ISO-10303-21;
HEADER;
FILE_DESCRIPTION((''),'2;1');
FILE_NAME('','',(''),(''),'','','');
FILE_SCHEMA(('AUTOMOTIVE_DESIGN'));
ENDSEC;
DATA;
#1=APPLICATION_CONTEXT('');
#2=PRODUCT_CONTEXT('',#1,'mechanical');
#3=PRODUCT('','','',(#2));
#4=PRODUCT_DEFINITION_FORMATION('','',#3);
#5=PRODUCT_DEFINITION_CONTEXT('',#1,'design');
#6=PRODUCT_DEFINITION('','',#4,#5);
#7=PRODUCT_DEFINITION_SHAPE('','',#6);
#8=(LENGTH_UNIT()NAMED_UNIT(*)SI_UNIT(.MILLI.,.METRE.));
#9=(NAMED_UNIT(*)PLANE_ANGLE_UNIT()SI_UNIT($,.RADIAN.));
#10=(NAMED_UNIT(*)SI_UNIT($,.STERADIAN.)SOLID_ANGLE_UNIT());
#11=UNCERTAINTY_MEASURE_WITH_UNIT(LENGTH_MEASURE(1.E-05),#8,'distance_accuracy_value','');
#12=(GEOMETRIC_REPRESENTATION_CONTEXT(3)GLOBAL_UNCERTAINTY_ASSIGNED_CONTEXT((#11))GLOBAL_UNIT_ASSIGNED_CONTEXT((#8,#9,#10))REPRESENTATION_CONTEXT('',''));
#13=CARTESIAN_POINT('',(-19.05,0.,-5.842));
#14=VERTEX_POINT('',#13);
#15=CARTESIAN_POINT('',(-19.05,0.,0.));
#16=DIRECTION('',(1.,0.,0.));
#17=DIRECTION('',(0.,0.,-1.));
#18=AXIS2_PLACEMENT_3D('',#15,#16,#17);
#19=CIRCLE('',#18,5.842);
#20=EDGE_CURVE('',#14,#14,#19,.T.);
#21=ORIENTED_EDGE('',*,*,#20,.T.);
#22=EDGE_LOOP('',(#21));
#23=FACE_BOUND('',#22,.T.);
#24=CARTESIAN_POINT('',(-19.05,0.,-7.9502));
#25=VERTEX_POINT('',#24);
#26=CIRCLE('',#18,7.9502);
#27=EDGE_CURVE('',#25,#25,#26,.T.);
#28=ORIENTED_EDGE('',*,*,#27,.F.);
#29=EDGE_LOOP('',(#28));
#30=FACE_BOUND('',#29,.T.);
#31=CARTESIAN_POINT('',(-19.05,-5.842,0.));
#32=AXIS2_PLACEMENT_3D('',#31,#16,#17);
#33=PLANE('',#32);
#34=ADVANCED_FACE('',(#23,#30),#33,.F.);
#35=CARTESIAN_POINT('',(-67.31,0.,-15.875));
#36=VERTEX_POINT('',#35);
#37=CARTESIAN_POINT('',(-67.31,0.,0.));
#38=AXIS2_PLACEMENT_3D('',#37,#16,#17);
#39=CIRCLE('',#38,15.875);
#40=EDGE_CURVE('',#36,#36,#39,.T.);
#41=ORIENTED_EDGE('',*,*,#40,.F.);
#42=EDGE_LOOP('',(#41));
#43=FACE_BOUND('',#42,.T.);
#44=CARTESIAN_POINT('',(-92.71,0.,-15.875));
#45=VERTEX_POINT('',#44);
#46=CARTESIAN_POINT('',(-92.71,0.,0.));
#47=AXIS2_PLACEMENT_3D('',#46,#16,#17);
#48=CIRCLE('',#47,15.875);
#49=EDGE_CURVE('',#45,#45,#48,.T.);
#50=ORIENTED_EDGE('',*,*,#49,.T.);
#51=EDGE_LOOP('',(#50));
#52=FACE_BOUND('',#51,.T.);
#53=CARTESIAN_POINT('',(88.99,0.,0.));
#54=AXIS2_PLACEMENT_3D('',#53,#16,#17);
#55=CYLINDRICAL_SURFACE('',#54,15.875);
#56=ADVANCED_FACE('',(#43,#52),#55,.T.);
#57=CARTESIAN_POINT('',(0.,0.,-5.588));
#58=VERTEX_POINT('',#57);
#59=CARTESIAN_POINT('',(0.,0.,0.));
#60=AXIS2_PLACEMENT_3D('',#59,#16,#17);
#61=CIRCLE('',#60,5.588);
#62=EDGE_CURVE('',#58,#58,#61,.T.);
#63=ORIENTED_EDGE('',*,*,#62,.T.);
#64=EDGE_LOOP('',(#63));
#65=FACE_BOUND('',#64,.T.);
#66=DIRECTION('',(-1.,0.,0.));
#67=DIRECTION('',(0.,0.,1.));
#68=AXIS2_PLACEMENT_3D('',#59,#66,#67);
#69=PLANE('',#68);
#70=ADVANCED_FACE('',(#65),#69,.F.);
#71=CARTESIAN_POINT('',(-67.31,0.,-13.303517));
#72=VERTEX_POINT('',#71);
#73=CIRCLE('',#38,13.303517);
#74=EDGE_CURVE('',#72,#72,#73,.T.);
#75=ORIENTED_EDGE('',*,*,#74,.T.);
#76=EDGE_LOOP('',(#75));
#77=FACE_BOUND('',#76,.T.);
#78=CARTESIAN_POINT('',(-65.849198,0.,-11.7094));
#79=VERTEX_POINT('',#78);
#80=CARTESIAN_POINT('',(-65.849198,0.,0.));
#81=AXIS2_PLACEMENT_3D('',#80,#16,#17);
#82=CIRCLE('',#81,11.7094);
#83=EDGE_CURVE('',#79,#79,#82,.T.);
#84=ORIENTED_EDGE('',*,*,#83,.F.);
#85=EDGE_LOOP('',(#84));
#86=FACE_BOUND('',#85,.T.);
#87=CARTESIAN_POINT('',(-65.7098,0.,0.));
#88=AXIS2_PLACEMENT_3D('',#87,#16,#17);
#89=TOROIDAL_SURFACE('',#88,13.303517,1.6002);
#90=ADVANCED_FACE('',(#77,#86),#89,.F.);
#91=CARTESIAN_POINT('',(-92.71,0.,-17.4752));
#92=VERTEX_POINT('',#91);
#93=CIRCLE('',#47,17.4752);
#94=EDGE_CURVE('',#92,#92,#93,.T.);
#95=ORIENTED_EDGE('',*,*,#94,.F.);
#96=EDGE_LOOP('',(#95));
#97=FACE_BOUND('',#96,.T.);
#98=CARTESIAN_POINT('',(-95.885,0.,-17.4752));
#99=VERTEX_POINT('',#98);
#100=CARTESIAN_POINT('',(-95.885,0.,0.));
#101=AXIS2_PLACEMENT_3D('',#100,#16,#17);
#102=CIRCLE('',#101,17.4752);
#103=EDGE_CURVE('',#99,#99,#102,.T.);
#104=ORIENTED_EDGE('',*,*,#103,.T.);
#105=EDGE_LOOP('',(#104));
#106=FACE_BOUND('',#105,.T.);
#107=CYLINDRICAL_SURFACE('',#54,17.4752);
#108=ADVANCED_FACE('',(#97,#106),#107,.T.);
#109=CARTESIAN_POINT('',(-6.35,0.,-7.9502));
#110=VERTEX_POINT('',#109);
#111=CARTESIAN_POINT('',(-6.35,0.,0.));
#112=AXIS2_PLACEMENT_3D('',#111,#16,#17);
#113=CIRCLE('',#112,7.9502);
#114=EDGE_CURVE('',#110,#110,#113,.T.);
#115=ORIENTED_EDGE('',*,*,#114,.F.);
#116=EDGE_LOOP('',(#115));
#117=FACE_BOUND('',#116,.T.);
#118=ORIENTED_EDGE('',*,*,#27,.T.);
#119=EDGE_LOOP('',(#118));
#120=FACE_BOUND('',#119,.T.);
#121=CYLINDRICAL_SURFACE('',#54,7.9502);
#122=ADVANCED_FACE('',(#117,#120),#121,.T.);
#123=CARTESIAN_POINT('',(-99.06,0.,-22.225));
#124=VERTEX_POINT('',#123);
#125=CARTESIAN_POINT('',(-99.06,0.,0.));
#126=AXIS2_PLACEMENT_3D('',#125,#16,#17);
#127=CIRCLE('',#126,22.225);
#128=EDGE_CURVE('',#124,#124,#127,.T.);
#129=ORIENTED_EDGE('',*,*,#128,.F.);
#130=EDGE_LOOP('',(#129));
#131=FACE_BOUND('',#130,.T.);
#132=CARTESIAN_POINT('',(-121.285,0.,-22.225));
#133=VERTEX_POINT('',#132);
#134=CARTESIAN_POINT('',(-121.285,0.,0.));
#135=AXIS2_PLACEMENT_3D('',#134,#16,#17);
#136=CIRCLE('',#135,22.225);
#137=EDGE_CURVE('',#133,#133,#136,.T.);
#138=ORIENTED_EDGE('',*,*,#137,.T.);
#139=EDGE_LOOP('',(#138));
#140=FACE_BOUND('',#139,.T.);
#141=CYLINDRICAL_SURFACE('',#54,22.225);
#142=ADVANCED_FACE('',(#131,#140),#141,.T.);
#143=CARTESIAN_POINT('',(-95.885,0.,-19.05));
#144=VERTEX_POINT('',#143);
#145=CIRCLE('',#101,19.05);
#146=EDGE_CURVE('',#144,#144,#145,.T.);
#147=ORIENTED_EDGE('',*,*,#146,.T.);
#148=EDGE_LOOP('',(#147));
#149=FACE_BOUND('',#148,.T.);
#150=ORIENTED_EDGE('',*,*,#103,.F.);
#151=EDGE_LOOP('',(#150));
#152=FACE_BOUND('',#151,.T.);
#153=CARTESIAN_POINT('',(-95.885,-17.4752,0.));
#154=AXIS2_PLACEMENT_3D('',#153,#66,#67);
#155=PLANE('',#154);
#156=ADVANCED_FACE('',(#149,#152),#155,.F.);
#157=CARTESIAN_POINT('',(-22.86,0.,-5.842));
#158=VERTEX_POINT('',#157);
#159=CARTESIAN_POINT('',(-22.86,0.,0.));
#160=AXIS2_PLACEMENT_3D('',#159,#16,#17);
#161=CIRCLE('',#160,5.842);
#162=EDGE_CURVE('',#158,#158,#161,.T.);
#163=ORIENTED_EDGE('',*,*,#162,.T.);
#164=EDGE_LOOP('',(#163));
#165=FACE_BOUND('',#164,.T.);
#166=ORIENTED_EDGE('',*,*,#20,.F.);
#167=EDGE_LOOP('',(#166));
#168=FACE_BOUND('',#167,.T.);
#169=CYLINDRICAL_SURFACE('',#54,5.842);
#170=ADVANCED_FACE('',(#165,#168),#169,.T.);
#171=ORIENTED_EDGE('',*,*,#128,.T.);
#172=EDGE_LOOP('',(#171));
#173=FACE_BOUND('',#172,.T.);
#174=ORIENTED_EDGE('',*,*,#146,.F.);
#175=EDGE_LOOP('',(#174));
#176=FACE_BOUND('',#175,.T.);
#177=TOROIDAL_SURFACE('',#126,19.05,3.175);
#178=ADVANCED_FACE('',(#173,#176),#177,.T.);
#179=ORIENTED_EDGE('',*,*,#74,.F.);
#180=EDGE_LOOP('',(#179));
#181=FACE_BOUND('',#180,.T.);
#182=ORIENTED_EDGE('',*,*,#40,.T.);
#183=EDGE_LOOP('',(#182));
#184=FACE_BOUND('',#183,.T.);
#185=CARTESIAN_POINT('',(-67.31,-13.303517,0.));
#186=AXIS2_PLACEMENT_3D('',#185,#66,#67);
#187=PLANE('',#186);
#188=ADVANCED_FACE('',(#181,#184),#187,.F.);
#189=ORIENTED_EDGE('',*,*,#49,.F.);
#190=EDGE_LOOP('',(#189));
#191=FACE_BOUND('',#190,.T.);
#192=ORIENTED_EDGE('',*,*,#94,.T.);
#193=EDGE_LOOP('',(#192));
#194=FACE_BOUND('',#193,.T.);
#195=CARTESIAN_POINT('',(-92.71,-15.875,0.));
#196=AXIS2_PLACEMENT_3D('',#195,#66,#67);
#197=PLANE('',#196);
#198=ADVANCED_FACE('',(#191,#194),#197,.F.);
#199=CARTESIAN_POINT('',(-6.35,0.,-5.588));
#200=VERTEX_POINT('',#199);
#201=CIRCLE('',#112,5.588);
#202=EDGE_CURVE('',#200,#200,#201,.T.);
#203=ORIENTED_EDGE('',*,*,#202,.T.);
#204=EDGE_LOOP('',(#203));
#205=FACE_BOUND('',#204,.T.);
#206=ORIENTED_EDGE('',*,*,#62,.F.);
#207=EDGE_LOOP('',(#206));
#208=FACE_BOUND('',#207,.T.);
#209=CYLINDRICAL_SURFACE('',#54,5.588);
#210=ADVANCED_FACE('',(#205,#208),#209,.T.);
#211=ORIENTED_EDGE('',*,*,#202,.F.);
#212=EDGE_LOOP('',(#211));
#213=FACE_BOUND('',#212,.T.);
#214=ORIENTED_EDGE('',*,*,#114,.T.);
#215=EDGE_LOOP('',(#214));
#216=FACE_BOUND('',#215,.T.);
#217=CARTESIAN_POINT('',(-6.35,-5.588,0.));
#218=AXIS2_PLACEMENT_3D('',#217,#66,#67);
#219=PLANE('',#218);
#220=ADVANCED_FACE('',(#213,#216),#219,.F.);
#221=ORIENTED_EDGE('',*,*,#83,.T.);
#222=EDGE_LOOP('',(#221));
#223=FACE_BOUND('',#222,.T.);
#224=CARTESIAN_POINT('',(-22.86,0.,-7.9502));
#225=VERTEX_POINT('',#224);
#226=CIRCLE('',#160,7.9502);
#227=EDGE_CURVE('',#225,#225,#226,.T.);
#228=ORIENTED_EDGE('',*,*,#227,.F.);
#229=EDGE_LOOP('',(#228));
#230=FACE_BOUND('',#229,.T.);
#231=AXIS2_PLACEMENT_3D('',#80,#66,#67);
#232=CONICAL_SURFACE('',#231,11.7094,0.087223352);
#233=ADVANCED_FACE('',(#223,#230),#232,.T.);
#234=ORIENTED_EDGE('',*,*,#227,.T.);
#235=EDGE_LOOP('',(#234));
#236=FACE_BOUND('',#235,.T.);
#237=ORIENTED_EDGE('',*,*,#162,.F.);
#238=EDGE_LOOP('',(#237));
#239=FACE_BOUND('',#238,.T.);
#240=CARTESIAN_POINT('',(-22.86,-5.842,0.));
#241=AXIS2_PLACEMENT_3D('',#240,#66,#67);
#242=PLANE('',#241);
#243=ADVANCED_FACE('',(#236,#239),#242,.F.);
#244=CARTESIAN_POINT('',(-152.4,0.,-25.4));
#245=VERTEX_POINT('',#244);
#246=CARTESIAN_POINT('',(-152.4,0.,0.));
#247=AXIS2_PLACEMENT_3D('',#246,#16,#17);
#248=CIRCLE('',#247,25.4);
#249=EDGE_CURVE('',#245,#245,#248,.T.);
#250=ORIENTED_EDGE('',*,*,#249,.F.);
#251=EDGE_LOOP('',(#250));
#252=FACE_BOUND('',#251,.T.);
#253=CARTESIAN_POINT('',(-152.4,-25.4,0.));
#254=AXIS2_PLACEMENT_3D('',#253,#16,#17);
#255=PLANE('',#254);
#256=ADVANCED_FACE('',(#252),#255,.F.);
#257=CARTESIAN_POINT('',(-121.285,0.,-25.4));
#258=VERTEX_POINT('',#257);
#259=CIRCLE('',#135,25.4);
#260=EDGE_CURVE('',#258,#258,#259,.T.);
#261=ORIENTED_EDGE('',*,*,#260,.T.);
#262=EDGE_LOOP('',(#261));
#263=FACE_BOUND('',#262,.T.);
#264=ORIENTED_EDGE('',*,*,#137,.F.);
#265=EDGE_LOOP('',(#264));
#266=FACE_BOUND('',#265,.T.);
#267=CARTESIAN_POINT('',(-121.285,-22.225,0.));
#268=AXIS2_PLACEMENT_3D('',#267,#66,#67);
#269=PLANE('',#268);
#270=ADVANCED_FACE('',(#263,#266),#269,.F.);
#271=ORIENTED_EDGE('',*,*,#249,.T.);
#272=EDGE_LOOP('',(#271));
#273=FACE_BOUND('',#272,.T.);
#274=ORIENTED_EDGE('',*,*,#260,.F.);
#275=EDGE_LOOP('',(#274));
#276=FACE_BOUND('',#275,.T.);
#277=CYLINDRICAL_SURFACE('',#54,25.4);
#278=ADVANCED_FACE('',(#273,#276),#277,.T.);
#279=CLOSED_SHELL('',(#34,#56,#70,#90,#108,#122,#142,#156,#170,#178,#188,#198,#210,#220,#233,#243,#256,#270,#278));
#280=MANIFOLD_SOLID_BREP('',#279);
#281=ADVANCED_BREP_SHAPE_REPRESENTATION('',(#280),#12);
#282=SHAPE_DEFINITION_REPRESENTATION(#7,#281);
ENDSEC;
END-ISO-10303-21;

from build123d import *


with BuildPart() as part:
    # Sketch2 → Revolve1 (revolve)
    with BuildSketch(Plane.XY):
        with BuildLine():
            Line((-152.4, 0), (0, 0))
            Line((0, 0), (0, -5.588))
            Line((0, -5.588), (-6.35, -5.588))
            Line((-6.35, -5.588), (-6.35, -7.9502))
            Line((-6.35, -7.9502), (-19.05, -7.9502))
            Line((-19.05, -7.9502), (-19.05, -5.842))
            Line((-19.05, -5.842), (-22.86, -5.842))
            Line((-22.86, -5.842), (-22.86, -7.9502))
            Line((-22.86, -7.9502), (-65.849197896, -11.7094))
            ThreePointArc((-65.849197896, -11.7094), (-66.889567891, -12.222411886), (-67.31, -13.303516767))
            Line((-67.31, -13.303516767), (-67.31, -15.875))
            Line((-67.31, -15.875), (-92.71, -15.875))
            Line((-92.71, -15.875), (-92.71, -17.4752))
            Line((-92.71, -17.4752), (-95.885, -17.4752))
            Line((-95.885, -17.4752), (-95.885, -19.05))
            ThreePointArc((-95.885, -19.05), (-96.81493597, -21.29506403), (-99.06, -22.225))
            Line((-99.06, -22.225), (-121.285, -22.225))
            Line((-121.285, -22.225), (-121.285, -25.4))
            Line((-121.285, -25.4), (-152.4, -25.4))
            Line((-152.4, -25.4), (-152.4, 0))
        make_face()
    revolve(axis=Axis((88.99, 0, 0), (-1, 0, 0)))


solid = part.part
